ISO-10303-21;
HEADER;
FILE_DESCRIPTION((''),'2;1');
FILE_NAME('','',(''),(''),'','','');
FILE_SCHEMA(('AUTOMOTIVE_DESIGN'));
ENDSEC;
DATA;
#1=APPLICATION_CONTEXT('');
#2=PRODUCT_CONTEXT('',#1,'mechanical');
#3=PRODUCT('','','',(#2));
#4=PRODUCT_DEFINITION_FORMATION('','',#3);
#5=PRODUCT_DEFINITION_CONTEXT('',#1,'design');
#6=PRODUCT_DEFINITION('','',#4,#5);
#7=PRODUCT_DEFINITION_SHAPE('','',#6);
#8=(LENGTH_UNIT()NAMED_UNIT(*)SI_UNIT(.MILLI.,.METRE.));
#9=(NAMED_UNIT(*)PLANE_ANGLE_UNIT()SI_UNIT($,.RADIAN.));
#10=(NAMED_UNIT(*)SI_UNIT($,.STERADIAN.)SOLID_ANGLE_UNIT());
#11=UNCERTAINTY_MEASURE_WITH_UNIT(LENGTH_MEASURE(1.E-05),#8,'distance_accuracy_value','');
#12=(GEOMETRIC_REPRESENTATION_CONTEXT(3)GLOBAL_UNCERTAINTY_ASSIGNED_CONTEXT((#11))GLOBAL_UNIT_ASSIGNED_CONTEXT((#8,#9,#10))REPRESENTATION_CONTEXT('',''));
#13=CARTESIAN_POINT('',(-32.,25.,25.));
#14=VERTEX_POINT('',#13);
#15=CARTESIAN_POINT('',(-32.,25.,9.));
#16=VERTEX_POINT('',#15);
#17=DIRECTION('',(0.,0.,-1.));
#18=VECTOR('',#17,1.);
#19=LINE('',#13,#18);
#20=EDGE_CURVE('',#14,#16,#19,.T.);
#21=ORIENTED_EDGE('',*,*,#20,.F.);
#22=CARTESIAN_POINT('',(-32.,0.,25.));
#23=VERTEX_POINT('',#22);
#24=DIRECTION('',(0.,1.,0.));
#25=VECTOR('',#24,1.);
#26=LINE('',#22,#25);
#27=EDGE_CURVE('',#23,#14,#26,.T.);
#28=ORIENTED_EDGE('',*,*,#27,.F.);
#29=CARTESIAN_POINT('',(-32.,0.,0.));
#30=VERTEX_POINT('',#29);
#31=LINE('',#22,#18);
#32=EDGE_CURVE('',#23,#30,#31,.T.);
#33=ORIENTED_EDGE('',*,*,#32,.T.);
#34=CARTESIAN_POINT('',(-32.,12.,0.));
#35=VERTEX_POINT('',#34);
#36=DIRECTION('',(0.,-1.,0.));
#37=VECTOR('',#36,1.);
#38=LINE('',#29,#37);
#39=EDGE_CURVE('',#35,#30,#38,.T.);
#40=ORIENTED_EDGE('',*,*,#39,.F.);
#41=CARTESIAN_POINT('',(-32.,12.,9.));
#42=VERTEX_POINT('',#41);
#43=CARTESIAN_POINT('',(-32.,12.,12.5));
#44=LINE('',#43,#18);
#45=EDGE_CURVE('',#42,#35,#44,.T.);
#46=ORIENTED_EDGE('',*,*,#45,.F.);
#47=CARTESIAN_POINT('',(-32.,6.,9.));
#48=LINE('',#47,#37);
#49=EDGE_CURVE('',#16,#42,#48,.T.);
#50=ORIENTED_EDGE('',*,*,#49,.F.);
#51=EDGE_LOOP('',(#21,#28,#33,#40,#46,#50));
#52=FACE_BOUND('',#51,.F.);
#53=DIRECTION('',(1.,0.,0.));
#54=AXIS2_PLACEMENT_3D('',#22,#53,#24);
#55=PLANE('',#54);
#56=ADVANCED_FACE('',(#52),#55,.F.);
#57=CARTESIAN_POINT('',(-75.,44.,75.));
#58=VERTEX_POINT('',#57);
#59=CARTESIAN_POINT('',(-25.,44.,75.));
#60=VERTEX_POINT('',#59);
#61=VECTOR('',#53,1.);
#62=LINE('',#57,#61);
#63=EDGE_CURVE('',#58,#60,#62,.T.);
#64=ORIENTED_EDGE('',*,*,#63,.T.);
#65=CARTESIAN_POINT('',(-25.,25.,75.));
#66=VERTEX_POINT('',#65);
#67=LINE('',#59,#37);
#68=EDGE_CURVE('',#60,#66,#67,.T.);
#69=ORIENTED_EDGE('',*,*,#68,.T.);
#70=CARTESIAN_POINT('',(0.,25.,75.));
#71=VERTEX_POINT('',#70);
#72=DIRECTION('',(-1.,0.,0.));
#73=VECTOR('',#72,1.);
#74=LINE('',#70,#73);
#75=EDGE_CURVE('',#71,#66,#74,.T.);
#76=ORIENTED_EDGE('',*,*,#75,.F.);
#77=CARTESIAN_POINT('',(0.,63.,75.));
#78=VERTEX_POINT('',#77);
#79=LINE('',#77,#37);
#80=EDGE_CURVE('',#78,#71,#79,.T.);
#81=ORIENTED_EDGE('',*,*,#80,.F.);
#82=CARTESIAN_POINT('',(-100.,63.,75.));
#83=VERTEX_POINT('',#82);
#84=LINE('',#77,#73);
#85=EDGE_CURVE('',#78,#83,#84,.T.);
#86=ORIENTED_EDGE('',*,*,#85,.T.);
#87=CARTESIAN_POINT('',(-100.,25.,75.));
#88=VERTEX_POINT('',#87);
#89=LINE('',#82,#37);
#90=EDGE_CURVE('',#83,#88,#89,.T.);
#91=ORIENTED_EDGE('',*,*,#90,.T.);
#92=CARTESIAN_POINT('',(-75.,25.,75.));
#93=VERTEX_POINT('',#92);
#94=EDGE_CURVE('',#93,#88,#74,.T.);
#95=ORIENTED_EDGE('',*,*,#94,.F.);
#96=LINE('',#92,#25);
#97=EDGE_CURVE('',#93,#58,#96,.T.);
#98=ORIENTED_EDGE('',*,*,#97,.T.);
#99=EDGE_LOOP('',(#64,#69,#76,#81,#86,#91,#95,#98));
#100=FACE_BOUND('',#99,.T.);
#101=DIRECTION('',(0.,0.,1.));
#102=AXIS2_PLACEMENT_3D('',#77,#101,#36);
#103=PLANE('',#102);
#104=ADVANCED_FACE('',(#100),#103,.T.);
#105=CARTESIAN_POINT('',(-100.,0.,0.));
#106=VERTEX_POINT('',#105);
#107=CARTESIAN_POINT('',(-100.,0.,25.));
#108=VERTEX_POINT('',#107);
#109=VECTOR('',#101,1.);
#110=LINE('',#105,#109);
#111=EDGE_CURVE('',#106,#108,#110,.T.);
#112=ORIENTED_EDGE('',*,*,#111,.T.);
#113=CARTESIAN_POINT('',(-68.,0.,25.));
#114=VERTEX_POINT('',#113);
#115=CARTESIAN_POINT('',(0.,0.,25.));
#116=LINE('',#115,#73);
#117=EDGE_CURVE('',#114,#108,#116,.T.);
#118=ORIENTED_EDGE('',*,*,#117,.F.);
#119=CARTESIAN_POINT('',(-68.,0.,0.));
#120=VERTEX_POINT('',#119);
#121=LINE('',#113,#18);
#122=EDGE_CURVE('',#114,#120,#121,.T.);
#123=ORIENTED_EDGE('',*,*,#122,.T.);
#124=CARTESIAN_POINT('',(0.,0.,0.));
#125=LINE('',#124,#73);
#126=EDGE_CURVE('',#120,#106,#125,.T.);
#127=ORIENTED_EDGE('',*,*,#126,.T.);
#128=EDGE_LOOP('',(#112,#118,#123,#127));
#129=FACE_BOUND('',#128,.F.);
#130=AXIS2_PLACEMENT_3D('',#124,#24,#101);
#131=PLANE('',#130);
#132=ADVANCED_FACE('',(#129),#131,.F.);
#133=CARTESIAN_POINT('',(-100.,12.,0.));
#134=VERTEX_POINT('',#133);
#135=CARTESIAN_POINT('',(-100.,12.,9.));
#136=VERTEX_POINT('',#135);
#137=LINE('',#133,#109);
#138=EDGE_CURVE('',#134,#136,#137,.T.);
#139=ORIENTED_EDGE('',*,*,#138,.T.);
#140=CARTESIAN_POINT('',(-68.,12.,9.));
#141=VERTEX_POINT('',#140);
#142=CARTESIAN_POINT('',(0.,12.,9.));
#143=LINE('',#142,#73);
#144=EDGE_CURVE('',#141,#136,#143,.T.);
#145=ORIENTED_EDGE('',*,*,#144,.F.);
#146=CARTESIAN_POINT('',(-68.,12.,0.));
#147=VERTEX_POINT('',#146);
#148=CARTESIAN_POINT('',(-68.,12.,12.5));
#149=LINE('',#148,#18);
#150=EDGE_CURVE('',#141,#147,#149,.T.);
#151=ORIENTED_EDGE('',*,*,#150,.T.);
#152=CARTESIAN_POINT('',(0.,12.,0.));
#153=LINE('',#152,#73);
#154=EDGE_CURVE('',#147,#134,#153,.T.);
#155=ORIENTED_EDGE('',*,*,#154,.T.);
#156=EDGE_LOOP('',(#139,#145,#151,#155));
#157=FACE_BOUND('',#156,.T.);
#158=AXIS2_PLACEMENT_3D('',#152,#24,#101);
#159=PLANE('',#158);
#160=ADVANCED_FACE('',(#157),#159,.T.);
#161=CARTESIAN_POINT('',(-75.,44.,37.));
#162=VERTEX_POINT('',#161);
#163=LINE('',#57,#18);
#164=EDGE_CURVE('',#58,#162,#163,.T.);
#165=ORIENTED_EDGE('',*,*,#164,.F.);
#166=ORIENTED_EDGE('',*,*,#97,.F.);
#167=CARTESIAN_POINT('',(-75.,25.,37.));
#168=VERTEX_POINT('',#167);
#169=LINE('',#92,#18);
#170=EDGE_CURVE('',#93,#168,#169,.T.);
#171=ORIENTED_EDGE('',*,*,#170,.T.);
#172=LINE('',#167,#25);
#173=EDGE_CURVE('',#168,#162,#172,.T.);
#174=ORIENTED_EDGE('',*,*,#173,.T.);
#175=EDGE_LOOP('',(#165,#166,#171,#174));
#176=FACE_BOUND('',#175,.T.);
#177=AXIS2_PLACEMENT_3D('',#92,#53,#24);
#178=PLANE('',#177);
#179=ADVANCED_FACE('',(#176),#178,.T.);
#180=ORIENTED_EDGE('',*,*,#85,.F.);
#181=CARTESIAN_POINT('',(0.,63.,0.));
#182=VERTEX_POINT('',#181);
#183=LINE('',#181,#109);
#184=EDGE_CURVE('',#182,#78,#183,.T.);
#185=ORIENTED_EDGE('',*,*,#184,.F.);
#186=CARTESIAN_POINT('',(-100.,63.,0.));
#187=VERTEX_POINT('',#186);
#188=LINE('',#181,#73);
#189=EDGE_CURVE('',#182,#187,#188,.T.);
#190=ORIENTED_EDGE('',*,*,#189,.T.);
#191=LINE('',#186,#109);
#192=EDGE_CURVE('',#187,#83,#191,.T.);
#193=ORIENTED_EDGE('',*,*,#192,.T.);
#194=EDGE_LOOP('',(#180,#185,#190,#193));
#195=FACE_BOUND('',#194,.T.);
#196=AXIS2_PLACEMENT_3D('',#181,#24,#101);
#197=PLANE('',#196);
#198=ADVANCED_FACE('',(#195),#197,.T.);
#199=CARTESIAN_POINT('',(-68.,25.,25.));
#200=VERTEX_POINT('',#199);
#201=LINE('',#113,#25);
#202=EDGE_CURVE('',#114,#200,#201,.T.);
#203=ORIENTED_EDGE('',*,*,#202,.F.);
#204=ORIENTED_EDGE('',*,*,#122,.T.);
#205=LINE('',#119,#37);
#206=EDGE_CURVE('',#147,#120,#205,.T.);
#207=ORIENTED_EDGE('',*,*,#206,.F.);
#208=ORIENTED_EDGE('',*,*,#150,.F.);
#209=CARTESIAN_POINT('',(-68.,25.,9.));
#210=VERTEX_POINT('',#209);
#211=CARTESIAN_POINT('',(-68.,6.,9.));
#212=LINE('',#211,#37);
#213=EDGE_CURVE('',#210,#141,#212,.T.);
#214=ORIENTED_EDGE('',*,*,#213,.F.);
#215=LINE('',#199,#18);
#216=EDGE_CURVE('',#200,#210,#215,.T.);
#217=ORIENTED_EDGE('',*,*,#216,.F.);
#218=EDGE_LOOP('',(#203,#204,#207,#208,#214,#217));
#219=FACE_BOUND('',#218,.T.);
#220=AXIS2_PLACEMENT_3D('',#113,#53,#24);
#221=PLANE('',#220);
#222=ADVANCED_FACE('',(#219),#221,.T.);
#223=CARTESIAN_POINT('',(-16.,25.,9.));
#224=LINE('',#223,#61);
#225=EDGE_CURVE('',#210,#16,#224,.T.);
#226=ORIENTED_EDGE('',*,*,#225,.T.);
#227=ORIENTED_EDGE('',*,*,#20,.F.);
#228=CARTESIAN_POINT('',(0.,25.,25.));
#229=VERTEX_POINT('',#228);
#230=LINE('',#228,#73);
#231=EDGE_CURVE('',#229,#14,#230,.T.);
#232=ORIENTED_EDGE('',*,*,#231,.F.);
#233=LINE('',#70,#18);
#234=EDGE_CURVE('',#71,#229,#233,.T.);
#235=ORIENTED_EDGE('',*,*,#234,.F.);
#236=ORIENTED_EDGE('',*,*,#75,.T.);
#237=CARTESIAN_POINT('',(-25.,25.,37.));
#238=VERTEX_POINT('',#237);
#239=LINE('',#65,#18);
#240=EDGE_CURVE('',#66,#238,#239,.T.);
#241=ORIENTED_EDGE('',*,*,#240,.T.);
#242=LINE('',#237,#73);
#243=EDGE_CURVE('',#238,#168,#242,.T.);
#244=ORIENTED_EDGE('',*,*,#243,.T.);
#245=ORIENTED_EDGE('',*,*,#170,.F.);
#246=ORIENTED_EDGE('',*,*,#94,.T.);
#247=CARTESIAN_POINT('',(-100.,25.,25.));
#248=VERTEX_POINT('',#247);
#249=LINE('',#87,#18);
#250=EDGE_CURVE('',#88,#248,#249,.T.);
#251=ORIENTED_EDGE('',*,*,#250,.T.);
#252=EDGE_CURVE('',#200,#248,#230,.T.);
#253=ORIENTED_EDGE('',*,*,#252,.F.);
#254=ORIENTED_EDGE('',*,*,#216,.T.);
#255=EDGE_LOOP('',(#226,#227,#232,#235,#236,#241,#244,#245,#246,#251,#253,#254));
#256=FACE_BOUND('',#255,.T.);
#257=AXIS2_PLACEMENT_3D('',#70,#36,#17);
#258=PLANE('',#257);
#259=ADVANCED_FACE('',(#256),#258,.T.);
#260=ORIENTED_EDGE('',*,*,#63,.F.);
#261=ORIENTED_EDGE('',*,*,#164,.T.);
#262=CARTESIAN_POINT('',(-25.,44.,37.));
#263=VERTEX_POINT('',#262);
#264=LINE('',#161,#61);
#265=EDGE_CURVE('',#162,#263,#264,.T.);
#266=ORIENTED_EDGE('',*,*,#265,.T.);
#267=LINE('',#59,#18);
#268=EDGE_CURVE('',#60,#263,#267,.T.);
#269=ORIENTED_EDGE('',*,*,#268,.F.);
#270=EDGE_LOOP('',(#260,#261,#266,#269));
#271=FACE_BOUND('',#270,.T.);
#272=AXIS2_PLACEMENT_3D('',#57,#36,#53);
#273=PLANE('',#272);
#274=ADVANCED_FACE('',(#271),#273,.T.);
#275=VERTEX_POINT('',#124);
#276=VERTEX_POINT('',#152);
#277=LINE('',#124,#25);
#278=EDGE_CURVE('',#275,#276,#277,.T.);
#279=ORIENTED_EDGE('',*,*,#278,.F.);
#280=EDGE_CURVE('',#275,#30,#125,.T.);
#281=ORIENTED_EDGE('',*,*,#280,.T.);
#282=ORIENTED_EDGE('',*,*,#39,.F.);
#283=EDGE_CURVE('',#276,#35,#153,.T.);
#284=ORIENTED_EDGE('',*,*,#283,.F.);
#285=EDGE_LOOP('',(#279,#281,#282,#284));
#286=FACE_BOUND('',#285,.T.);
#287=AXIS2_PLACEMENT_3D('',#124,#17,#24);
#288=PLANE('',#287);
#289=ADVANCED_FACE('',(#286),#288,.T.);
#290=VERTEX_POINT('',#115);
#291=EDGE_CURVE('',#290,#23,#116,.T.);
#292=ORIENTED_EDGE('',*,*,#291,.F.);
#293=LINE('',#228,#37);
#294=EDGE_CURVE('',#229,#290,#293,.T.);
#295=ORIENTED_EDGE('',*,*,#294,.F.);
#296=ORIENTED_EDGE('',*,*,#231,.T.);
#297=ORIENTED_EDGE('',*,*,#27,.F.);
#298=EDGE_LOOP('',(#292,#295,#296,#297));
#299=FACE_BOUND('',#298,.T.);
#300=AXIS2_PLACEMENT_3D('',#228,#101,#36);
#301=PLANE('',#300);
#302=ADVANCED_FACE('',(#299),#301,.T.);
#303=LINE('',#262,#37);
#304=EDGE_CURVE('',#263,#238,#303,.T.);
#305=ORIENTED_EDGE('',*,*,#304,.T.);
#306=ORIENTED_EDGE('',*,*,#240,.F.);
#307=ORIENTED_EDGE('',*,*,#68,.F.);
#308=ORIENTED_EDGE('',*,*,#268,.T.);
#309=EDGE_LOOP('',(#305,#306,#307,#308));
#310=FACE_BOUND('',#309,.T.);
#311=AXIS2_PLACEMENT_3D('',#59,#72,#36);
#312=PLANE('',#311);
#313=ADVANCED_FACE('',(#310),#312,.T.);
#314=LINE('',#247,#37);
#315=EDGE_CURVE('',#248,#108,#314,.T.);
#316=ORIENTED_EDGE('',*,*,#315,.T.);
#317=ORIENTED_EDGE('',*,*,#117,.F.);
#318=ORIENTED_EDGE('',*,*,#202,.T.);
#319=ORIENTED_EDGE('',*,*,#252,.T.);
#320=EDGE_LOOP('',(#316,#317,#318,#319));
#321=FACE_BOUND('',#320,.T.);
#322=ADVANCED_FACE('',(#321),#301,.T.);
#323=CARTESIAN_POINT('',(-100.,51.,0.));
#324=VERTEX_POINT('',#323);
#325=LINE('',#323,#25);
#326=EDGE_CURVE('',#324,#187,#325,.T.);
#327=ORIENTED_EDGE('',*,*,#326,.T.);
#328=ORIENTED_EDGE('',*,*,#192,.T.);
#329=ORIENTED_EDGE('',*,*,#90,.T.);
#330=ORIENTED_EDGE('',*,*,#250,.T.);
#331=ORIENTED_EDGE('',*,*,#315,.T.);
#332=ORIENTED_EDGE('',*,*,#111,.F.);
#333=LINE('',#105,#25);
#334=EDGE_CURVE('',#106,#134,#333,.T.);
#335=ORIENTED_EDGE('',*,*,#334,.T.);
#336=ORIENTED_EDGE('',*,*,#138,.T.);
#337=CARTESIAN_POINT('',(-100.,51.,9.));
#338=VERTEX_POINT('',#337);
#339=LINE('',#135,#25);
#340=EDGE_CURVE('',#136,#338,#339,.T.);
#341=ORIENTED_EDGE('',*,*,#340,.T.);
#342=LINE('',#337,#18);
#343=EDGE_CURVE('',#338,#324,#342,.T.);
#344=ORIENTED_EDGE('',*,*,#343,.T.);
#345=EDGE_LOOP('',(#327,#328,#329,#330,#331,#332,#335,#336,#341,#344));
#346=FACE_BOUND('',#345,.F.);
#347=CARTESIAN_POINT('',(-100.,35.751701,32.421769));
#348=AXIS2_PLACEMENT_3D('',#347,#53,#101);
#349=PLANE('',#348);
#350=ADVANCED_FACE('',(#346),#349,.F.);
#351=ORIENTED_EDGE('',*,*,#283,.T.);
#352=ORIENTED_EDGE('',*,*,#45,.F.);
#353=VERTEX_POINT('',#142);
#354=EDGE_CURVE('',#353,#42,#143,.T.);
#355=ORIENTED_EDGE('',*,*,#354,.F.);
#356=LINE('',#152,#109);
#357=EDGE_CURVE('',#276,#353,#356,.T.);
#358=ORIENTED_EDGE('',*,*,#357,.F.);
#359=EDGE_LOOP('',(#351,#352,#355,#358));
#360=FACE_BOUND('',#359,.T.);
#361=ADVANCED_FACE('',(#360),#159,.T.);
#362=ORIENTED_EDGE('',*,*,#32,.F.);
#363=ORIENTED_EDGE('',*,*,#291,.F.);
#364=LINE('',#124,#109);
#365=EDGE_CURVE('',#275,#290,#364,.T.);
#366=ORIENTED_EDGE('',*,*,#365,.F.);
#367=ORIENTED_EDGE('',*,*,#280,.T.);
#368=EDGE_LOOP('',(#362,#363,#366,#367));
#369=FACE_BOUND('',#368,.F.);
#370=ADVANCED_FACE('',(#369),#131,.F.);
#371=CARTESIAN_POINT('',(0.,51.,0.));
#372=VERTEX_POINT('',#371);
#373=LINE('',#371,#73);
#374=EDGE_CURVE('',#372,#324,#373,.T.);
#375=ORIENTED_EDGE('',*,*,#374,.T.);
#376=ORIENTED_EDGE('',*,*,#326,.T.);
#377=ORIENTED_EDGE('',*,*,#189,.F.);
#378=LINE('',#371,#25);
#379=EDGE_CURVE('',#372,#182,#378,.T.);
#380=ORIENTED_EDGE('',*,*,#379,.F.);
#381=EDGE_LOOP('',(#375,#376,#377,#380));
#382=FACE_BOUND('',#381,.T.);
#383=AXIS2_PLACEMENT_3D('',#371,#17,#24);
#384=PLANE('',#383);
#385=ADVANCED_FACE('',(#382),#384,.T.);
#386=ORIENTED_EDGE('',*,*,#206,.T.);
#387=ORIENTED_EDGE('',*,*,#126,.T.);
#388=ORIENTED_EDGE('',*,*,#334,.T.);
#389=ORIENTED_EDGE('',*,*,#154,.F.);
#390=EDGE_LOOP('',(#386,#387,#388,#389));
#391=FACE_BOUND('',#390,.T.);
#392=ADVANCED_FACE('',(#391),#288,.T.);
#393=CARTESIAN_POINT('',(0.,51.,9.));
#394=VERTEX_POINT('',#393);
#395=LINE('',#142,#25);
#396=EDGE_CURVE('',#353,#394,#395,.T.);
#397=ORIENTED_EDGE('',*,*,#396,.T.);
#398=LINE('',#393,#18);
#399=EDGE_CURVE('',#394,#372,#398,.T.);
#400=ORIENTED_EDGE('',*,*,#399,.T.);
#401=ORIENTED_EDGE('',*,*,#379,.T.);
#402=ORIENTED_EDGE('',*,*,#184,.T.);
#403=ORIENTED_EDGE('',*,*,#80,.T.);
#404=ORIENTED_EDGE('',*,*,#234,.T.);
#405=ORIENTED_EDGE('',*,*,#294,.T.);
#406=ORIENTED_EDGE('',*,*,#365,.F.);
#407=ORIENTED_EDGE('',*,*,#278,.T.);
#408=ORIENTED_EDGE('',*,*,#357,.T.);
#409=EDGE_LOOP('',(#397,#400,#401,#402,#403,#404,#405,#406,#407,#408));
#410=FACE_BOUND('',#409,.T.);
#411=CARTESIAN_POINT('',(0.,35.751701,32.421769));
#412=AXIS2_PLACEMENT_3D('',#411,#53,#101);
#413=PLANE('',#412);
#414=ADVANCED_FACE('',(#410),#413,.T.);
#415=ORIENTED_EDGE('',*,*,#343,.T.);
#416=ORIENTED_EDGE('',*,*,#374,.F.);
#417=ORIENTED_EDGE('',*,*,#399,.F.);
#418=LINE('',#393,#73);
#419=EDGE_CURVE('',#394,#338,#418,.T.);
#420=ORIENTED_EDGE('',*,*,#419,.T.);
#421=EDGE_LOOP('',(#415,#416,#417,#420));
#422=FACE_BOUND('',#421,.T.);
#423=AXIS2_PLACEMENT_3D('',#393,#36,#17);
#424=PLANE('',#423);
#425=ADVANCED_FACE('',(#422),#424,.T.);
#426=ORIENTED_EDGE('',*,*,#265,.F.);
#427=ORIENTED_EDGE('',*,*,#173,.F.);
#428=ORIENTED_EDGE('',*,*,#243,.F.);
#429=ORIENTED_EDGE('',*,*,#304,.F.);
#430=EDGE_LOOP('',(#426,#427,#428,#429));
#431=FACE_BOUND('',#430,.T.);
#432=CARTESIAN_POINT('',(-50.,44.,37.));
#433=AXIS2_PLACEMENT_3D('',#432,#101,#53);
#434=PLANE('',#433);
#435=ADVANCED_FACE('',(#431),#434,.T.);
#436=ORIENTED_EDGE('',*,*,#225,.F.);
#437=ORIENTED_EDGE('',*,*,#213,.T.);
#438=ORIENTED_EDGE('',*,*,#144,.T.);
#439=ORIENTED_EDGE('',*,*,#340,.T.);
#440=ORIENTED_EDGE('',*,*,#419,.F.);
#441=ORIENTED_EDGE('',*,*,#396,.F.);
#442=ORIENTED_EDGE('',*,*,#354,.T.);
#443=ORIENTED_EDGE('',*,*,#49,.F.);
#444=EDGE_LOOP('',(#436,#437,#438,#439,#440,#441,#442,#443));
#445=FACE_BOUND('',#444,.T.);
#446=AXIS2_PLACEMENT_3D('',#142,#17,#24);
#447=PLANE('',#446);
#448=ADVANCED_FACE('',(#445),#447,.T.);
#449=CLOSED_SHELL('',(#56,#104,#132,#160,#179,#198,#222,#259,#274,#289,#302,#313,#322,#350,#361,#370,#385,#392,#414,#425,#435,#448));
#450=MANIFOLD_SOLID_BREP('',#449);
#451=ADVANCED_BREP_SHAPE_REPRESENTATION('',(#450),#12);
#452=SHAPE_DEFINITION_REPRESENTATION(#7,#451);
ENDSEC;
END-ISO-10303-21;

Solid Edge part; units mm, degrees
sketch "Sketch1" plane through (0, 0, 0) normal (1, 0, 0) x (0, 1, 0)
  line L0 (25, 75) -> (25, 25)
  line L1 (25, 25) -> (0, 25)
  line L2 (0, 0) -> (0, 25)
  line L3 (0, 0) -> (12, 0)
  line L4 (12, 0) -> (12, 9)
  line L5 (12, 9) -> (51, 9)
  line L6 (51, 9) -> (51, 0)
  line L7 (51, 0) -> (63, 0)
  line L8 (63, 0) -> (63, 75)
  line L9 (63, 75) -> (25, 75)
extrude "Protrusion1" add sketch "Sketch1" against normal blind 100
sketch "Sketch2" plane through (-50, 44, 75) normal (0, 0, 1) x (1, 0, 0)
  line L0 (25, 0) -> (25, -19)
  line L1 (-25, 0) -> (25, 0)
  line L2 (-25, -19) -> (-25, 0)
extrude "ExtrudedCutout_2" cut sketch "Sketch2" against normal blind 38 material side at (-25.05, 34.5, 75)
sketch "Sketch3" plane through (-50, 12.5, 25) normal (0, 0, 1) x (1, 0, 0)
  line L0 (18, -12.5) -> (18, 12.5)
  line L1 (18, 12.5) -> (-18, 12.5)
  line L2 (-18, -12.5) -> (-18, 12.5)
extrude "ExtrudedCutout_3" cut sketch "Sketch3" against normal blind 71.1799 material side at (-32.05, 12.5, 25)
